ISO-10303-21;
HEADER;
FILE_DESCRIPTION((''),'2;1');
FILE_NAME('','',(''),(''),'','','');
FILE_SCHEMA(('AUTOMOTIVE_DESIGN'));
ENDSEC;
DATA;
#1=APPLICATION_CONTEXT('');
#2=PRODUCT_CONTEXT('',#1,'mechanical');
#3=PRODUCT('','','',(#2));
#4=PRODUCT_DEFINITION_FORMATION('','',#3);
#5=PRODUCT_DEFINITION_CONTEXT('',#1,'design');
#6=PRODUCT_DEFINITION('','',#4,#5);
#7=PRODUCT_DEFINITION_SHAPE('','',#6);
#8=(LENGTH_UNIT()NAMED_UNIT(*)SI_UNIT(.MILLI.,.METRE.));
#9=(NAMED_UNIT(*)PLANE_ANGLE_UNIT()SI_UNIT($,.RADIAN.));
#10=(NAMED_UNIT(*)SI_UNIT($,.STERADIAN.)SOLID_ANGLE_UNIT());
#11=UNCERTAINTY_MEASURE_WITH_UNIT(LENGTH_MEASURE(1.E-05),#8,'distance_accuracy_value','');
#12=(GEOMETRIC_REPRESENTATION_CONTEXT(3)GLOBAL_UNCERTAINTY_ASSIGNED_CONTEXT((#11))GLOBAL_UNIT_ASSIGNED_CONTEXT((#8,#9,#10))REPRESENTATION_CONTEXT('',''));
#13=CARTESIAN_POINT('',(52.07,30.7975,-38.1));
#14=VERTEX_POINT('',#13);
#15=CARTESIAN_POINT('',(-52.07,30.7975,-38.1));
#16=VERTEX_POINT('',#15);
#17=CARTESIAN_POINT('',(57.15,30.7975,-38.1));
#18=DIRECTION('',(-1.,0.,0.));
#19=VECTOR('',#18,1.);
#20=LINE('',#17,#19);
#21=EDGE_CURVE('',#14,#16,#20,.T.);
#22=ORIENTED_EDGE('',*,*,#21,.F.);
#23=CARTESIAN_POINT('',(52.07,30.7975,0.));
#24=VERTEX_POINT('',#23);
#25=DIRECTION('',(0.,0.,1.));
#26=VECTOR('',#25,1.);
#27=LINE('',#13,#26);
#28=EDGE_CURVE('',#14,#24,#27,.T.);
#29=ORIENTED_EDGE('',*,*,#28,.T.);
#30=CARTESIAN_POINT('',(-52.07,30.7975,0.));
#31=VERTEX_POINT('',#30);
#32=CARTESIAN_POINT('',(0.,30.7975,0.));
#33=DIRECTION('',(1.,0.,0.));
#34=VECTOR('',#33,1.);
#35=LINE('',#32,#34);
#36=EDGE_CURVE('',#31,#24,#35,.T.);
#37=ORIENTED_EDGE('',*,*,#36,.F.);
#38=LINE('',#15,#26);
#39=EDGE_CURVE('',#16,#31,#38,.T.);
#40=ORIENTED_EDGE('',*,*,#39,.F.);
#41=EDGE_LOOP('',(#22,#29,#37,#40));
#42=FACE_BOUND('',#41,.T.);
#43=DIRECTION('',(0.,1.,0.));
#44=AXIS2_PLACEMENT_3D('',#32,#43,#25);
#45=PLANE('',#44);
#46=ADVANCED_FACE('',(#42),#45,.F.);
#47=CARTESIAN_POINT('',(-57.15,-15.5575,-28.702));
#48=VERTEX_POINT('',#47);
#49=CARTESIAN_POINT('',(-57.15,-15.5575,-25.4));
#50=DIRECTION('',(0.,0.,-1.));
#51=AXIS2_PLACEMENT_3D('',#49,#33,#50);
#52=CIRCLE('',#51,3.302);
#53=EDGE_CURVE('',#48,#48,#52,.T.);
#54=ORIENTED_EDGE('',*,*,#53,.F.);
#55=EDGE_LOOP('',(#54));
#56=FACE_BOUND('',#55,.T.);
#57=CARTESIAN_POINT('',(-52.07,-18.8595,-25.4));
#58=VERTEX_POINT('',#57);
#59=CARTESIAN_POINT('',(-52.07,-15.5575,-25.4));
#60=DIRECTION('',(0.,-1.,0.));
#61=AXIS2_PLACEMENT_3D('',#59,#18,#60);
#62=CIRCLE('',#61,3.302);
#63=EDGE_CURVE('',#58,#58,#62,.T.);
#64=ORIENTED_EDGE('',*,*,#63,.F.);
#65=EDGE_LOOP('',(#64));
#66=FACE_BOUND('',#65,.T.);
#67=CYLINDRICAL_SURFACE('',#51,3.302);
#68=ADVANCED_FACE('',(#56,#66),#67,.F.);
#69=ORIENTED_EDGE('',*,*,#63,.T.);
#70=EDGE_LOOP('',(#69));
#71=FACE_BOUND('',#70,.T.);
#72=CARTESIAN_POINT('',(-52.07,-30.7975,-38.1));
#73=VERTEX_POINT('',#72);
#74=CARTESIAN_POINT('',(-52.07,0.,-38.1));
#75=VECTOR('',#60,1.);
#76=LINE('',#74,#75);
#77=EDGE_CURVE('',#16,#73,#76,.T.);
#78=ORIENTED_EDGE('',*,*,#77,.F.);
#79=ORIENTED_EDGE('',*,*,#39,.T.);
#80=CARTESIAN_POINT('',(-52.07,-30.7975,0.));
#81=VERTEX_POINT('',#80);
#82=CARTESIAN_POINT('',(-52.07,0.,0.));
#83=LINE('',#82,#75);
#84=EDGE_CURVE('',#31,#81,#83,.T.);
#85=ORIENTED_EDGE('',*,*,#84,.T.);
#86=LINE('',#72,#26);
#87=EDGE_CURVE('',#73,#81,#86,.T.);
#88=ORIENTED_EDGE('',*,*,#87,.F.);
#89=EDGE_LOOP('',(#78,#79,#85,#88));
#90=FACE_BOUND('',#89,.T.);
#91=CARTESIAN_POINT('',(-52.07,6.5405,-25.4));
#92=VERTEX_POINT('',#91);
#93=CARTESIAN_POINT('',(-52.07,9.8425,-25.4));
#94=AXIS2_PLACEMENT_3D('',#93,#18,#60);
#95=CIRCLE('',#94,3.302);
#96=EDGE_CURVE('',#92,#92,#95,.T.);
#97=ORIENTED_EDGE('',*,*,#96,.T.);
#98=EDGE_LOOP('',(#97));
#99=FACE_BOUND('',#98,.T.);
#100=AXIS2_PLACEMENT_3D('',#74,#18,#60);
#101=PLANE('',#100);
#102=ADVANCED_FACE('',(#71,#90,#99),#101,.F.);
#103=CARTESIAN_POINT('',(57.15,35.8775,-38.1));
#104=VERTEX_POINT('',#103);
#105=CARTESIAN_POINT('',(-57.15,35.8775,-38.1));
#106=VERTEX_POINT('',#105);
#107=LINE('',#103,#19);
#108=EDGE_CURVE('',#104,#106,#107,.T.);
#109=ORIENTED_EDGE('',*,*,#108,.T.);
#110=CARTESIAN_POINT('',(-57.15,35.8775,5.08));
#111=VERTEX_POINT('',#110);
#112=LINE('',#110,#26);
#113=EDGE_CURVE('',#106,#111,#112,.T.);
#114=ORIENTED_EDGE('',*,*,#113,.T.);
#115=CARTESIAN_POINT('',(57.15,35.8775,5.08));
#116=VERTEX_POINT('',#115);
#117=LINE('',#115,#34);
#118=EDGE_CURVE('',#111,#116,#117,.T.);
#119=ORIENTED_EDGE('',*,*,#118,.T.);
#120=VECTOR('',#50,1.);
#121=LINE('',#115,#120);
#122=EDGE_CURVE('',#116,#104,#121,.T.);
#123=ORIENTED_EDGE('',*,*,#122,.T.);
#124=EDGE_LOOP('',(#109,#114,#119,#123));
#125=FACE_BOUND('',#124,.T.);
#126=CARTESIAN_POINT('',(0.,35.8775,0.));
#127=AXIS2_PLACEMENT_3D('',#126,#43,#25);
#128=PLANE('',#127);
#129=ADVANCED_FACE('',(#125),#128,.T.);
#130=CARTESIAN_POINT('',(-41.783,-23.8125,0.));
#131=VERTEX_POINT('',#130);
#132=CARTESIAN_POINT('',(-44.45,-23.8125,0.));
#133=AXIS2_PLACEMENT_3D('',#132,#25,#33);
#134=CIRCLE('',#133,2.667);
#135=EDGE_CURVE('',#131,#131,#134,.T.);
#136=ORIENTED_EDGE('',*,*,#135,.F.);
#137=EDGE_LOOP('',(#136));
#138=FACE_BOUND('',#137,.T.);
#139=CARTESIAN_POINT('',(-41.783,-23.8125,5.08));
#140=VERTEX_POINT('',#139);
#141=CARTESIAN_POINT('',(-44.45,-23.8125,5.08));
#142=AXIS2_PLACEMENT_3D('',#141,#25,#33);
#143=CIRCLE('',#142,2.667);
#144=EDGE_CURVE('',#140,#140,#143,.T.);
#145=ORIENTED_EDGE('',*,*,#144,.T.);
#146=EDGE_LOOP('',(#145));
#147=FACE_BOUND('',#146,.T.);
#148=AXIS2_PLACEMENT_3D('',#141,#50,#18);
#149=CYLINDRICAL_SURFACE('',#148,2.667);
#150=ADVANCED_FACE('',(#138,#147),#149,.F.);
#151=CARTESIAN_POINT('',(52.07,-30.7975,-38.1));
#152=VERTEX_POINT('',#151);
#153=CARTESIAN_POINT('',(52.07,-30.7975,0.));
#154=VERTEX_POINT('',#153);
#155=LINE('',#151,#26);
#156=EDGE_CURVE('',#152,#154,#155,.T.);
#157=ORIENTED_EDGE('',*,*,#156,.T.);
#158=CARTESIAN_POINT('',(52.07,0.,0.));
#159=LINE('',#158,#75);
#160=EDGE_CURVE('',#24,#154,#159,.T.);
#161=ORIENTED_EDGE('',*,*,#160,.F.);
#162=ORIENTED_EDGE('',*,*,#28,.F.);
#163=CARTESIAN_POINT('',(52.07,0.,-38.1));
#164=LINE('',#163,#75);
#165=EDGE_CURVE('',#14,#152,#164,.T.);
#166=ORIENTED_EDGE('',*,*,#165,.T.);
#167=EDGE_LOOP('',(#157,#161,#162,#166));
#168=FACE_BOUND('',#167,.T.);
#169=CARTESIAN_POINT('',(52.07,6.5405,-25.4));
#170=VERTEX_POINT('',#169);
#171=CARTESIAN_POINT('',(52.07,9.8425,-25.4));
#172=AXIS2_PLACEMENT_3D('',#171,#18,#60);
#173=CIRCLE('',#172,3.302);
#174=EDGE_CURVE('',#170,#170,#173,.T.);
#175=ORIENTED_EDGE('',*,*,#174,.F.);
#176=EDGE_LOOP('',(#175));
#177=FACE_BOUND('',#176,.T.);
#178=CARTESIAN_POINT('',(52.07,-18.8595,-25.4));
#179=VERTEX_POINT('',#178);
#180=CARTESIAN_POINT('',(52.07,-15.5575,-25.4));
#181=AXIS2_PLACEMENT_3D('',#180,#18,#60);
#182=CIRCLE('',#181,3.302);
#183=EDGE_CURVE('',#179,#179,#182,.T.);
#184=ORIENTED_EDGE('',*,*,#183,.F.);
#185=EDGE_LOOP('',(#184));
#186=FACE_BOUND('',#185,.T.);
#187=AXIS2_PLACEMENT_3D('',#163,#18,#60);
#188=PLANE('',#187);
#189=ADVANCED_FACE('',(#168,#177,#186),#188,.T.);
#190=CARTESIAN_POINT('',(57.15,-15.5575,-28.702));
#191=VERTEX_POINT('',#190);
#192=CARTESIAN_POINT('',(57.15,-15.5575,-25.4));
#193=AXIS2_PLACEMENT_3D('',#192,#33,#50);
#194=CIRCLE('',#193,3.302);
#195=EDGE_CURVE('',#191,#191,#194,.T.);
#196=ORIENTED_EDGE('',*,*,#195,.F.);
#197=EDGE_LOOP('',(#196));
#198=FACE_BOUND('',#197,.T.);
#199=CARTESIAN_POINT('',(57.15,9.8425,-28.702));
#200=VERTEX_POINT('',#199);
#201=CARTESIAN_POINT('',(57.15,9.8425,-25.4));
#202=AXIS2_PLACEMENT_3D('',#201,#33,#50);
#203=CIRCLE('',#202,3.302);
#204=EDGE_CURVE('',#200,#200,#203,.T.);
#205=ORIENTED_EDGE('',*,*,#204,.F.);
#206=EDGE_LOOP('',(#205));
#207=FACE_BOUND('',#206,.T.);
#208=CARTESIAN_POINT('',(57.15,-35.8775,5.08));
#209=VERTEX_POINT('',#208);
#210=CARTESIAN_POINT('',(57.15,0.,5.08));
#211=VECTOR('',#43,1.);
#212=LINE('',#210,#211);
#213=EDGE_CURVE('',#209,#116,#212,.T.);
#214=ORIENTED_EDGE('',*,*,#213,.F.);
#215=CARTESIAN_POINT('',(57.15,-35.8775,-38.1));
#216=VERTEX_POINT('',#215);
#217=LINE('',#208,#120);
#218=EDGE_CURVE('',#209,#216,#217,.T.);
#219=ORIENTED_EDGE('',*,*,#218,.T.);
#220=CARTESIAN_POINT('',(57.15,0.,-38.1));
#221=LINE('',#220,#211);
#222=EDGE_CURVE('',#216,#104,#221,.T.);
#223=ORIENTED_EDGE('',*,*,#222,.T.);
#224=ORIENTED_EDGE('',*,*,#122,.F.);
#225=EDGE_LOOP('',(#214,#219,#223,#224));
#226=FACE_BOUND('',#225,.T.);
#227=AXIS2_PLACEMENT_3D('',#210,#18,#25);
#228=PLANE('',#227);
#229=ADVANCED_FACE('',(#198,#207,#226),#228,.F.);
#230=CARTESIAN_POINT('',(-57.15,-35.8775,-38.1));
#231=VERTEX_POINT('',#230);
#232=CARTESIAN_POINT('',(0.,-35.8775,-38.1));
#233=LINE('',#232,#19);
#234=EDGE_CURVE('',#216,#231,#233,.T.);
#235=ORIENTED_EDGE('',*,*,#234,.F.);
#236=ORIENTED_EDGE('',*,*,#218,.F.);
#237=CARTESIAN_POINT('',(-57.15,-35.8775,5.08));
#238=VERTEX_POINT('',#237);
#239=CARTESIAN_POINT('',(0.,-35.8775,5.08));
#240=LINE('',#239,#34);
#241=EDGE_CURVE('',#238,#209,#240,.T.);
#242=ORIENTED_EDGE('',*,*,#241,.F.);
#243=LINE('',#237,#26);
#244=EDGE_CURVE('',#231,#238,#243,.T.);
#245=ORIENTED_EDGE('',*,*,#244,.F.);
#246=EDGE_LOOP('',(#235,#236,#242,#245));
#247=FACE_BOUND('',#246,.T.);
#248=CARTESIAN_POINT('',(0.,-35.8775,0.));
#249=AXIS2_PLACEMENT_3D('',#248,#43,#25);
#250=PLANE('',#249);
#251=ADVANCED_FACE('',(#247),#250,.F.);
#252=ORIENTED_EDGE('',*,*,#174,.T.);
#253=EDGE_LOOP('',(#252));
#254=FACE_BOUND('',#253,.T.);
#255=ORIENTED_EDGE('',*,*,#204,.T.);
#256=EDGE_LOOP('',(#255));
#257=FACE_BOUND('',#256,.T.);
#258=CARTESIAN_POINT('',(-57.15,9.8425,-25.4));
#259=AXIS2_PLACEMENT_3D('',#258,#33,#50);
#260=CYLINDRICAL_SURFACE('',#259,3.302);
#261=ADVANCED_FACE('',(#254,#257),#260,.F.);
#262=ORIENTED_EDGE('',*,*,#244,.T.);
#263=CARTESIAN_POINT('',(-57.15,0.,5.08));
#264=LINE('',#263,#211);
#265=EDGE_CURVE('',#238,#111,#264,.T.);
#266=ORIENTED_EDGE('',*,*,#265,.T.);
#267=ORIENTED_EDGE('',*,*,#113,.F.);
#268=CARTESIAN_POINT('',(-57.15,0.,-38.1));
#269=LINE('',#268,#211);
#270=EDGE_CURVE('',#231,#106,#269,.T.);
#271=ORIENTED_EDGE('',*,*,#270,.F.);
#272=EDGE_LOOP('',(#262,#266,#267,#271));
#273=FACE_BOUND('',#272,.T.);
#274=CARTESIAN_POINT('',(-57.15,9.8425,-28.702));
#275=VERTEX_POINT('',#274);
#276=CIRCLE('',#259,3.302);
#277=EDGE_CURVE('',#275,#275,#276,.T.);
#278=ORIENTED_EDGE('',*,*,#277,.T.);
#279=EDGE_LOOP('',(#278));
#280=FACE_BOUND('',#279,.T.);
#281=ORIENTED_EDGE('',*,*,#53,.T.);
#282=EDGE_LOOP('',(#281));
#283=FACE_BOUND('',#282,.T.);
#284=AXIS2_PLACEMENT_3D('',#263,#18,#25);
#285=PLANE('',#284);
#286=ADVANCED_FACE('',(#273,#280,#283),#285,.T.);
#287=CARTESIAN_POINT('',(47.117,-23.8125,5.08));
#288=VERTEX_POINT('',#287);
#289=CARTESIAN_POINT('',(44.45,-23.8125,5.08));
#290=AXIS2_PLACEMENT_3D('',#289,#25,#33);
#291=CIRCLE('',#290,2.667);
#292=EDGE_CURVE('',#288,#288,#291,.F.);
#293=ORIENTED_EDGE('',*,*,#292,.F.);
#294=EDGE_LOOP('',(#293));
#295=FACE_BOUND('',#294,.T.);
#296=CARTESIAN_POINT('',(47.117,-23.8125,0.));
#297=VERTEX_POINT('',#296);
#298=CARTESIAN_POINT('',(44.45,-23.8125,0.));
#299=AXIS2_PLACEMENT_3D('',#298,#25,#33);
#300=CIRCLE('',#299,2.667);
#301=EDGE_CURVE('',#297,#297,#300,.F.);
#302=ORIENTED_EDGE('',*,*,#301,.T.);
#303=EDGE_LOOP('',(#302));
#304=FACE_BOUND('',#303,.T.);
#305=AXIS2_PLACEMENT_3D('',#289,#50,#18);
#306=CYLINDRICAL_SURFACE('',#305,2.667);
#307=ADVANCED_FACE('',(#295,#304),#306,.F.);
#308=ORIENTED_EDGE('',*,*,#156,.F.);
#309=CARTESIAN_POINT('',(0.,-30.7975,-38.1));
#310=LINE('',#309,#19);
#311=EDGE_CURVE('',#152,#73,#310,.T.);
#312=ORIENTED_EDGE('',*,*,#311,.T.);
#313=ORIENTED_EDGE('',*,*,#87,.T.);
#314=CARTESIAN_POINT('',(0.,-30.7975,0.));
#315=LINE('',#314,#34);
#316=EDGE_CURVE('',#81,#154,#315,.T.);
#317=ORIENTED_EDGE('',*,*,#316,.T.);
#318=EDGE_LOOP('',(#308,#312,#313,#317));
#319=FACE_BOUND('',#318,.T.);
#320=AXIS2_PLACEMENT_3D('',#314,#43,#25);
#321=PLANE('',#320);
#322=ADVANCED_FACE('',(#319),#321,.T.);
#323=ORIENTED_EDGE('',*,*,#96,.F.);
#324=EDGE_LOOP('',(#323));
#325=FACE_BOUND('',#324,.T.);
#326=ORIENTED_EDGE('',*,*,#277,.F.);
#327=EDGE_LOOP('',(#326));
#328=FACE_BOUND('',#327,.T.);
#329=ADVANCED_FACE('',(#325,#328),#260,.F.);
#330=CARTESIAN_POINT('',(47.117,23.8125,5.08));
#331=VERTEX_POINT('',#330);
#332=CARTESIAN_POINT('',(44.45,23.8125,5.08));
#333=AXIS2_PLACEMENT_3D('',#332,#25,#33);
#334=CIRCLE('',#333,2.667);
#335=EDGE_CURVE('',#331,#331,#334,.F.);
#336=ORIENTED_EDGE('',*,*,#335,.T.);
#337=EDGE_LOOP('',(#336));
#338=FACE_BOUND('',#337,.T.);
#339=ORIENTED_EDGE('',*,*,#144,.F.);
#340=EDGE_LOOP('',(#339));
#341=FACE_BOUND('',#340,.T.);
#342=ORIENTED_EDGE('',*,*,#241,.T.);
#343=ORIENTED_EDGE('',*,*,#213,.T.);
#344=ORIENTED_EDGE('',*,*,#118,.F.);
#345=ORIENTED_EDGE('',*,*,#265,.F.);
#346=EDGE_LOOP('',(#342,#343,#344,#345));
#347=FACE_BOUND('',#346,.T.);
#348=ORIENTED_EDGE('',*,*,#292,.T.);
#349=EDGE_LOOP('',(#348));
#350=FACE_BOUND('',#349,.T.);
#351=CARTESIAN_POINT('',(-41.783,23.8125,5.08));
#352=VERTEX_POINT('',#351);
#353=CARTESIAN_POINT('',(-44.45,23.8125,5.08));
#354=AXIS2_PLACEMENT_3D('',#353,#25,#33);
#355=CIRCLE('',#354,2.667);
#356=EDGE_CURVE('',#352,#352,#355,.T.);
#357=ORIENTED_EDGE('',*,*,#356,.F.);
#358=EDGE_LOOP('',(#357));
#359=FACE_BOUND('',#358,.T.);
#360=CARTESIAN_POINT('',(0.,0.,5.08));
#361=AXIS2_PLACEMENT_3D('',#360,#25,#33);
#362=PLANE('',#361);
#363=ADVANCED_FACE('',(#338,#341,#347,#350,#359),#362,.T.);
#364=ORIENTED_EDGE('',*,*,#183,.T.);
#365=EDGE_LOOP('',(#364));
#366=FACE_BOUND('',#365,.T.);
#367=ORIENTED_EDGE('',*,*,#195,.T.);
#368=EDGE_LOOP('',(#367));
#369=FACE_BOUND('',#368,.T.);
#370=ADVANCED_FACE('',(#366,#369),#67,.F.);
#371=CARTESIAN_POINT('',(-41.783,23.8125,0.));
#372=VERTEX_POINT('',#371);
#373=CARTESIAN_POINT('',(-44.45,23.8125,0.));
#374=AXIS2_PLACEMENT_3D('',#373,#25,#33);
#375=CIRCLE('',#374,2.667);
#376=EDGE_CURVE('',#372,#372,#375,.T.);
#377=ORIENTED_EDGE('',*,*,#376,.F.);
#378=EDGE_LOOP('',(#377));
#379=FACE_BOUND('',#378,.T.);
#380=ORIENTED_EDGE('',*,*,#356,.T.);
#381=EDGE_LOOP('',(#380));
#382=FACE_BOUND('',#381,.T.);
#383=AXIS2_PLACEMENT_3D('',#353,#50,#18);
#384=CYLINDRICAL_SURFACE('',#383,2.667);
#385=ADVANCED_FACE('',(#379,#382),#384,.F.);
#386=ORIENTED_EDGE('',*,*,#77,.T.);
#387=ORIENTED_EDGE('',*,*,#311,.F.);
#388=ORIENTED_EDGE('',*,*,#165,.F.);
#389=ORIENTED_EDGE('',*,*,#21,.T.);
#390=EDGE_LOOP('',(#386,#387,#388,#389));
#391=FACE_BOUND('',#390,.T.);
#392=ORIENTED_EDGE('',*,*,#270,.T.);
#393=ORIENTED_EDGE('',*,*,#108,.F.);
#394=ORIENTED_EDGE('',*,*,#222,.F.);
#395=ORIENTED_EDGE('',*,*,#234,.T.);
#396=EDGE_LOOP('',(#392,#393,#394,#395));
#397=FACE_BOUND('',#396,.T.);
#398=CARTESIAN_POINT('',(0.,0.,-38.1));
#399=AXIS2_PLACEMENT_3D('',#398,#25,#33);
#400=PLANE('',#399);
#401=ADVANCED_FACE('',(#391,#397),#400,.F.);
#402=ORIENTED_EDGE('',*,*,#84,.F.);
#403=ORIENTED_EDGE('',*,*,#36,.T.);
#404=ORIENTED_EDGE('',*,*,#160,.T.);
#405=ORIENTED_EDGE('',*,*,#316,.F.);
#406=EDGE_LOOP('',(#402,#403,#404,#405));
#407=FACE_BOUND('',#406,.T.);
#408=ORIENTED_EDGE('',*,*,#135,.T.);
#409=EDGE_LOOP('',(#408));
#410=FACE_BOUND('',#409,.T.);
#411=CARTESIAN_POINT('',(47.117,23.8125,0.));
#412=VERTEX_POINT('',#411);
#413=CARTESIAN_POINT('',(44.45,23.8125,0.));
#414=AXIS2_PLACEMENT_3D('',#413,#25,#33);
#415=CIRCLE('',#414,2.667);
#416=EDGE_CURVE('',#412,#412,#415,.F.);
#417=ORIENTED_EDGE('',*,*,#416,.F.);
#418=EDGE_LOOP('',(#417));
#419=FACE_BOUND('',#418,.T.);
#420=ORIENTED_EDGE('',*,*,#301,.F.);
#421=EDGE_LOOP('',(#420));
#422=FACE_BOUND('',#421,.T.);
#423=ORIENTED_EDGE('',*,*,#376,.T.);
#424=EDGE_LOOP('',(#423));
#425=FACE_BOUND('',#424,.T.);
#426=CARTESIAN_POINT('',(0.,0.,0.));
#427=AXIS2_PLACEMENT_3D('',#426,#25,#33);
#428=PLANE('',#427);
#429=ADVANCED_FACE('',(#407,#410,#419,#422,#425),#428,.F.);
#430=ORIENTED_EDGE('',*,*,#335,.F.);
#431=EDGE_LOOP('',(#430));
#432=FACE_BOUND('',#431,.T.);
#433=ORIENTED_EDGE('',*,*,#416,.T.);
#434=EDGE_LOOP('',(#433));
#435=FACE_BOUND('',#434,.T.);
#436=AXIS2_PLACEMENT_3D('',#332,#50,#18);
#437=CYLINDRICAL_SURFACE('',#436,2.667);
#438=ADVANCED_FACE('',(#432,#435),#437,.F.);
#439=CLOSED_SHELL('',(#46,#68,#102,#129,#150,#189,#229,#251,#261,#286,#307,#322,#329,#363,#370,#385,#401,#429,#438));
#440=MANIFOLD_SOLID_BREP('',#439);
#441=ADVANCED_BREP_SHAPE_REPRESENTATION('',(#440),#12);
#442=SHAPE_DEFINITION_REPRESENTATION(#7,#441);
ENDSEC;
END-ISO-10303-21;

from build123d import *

# Parameters (mm, degrees)
SKETCH1_W           = 5.08
SKETCH1_H           = 61.595
SKETCH1_W_2         = 104.14
SKETCH1_R           = 2.667
BOSS_EXTRUDE1_DEPTH = 5.08
SKETCH1_3_W         = 5.08
SKETCH1_3_H         = 61.595
BOSS_EXTRUDE2_DEPTH = 38.1
SKETCH2_R           = 3.302
CUT_EXTRUDE1_DEPTH  = 125.356688627
SKETCH3_W           = 114.3
SKETCH3_H           = 43.18
BOSS_EXTRUDE3_DEPTH = 5.08
BOSS_EXTRUDE4_START = -61.595
SKETCH3_3_W         = 114.3
SKETCH3_3_H         = 43.18
BOSS_EXTRUDE4_DEPTH = 5.08


with BuildPart() as part:
    # Sketch1 → Boss-Extrude1 (new body)
    # profile 1 of 3: a face of its own
    with BuildSketch(Plane.XY):
        with Locations((-54.61, 0)):
            Rectangle(SKETCH1_W, SKETCH1_H)
    # profile 2 of 3: a face of its own
    with BuildSketch(Plane.XY):
        Rectangle(SKETCH1_W_2, SKETCH1_H)
        with Locations((-44.45, -23.8125)):
            Circle(SKETCH1_R, mode=Mode.SUBTRACT)
        with Locations((44.45, -23.8125)):
            Circle(SKETCH1_R, mode=Mode.SUBTRACT)
        with Locations((-44.45, 23.8125)):
            Circle(SKETCH1_R, mode=Mode.SUBTRACT)
        with Locations((44.45, 23.8125)):
            Circle(SKETCH1_R, mode=Mode.SUBTRACT)
    # profile 3 of 3: a face of its own
    with BuildSketch(Plane.XY):
        with Locations((54.61, 0)):
            Rectangle(SKETCH1_W, SKETCH1_H)
    extrude(amount=BOSS_EXTRUDE1_DEPTH)

    # Sketch1<3> → Boss-Extrude2 (add)
    with BuildSketch(Plane.XY):
        with Locations((-54.61, 0)):
            Rectangle(SKETCH1_3_W, SKETCH1_3_H)
        with Locations((54.61, 0)):
            Rectangle(SKETCH1_3_W, SKETCH1_3_H)
    extrude(amount=-BOSS_EXTRUDE2_DEPTH)

    # Sketch2 → Cut-Extrude1 (cut, through all)
    with BuildSketch(Plane(origin=(57.15, 0, 0), x_dir=(0, 0, -1), z_dir=(1, 0, 0))):
        with Locations((25.4, -15.5575)):
            Circle(SKETCH2_R)
        with Locations((25.4, 9.8425)):
            Circle(SKETCH2_R)
    extrude(amount=-CUT_EXTRUDE1_DEPTH, mode=Mode.SUBTRACT)

    # Sketch3 → Boss-Extrude3 (add)
    with BuildSketch(Plane(origin=(0, 30.7975, 0), x_dir=(1, 0, 0), z_dir=(0, 1, 0))):
        with Locations((0, 16.51)):
            Rectangle(SKETCH3_W, SKETCH3_H)
    extrude(amount=BOSS_EXTRUDE3_DEPTH)

    # Sketch3<3> → Boss-Extrude4 (add)
    with BuildSketch(Plane(origin=(0, 30.7975, 0), x_dir=(1, 0, 0), z_dir=(0, 1, 0)).offset(BOSS_EXTRUDE4_START)):
        with Locations((0, 16.51)):
            Rectangle(SKETCH3_3_W, SKETCH3_3_H)
    extrude(amount=-BOSS_EXTRUDE4_DEPTH)


solid = part.part
